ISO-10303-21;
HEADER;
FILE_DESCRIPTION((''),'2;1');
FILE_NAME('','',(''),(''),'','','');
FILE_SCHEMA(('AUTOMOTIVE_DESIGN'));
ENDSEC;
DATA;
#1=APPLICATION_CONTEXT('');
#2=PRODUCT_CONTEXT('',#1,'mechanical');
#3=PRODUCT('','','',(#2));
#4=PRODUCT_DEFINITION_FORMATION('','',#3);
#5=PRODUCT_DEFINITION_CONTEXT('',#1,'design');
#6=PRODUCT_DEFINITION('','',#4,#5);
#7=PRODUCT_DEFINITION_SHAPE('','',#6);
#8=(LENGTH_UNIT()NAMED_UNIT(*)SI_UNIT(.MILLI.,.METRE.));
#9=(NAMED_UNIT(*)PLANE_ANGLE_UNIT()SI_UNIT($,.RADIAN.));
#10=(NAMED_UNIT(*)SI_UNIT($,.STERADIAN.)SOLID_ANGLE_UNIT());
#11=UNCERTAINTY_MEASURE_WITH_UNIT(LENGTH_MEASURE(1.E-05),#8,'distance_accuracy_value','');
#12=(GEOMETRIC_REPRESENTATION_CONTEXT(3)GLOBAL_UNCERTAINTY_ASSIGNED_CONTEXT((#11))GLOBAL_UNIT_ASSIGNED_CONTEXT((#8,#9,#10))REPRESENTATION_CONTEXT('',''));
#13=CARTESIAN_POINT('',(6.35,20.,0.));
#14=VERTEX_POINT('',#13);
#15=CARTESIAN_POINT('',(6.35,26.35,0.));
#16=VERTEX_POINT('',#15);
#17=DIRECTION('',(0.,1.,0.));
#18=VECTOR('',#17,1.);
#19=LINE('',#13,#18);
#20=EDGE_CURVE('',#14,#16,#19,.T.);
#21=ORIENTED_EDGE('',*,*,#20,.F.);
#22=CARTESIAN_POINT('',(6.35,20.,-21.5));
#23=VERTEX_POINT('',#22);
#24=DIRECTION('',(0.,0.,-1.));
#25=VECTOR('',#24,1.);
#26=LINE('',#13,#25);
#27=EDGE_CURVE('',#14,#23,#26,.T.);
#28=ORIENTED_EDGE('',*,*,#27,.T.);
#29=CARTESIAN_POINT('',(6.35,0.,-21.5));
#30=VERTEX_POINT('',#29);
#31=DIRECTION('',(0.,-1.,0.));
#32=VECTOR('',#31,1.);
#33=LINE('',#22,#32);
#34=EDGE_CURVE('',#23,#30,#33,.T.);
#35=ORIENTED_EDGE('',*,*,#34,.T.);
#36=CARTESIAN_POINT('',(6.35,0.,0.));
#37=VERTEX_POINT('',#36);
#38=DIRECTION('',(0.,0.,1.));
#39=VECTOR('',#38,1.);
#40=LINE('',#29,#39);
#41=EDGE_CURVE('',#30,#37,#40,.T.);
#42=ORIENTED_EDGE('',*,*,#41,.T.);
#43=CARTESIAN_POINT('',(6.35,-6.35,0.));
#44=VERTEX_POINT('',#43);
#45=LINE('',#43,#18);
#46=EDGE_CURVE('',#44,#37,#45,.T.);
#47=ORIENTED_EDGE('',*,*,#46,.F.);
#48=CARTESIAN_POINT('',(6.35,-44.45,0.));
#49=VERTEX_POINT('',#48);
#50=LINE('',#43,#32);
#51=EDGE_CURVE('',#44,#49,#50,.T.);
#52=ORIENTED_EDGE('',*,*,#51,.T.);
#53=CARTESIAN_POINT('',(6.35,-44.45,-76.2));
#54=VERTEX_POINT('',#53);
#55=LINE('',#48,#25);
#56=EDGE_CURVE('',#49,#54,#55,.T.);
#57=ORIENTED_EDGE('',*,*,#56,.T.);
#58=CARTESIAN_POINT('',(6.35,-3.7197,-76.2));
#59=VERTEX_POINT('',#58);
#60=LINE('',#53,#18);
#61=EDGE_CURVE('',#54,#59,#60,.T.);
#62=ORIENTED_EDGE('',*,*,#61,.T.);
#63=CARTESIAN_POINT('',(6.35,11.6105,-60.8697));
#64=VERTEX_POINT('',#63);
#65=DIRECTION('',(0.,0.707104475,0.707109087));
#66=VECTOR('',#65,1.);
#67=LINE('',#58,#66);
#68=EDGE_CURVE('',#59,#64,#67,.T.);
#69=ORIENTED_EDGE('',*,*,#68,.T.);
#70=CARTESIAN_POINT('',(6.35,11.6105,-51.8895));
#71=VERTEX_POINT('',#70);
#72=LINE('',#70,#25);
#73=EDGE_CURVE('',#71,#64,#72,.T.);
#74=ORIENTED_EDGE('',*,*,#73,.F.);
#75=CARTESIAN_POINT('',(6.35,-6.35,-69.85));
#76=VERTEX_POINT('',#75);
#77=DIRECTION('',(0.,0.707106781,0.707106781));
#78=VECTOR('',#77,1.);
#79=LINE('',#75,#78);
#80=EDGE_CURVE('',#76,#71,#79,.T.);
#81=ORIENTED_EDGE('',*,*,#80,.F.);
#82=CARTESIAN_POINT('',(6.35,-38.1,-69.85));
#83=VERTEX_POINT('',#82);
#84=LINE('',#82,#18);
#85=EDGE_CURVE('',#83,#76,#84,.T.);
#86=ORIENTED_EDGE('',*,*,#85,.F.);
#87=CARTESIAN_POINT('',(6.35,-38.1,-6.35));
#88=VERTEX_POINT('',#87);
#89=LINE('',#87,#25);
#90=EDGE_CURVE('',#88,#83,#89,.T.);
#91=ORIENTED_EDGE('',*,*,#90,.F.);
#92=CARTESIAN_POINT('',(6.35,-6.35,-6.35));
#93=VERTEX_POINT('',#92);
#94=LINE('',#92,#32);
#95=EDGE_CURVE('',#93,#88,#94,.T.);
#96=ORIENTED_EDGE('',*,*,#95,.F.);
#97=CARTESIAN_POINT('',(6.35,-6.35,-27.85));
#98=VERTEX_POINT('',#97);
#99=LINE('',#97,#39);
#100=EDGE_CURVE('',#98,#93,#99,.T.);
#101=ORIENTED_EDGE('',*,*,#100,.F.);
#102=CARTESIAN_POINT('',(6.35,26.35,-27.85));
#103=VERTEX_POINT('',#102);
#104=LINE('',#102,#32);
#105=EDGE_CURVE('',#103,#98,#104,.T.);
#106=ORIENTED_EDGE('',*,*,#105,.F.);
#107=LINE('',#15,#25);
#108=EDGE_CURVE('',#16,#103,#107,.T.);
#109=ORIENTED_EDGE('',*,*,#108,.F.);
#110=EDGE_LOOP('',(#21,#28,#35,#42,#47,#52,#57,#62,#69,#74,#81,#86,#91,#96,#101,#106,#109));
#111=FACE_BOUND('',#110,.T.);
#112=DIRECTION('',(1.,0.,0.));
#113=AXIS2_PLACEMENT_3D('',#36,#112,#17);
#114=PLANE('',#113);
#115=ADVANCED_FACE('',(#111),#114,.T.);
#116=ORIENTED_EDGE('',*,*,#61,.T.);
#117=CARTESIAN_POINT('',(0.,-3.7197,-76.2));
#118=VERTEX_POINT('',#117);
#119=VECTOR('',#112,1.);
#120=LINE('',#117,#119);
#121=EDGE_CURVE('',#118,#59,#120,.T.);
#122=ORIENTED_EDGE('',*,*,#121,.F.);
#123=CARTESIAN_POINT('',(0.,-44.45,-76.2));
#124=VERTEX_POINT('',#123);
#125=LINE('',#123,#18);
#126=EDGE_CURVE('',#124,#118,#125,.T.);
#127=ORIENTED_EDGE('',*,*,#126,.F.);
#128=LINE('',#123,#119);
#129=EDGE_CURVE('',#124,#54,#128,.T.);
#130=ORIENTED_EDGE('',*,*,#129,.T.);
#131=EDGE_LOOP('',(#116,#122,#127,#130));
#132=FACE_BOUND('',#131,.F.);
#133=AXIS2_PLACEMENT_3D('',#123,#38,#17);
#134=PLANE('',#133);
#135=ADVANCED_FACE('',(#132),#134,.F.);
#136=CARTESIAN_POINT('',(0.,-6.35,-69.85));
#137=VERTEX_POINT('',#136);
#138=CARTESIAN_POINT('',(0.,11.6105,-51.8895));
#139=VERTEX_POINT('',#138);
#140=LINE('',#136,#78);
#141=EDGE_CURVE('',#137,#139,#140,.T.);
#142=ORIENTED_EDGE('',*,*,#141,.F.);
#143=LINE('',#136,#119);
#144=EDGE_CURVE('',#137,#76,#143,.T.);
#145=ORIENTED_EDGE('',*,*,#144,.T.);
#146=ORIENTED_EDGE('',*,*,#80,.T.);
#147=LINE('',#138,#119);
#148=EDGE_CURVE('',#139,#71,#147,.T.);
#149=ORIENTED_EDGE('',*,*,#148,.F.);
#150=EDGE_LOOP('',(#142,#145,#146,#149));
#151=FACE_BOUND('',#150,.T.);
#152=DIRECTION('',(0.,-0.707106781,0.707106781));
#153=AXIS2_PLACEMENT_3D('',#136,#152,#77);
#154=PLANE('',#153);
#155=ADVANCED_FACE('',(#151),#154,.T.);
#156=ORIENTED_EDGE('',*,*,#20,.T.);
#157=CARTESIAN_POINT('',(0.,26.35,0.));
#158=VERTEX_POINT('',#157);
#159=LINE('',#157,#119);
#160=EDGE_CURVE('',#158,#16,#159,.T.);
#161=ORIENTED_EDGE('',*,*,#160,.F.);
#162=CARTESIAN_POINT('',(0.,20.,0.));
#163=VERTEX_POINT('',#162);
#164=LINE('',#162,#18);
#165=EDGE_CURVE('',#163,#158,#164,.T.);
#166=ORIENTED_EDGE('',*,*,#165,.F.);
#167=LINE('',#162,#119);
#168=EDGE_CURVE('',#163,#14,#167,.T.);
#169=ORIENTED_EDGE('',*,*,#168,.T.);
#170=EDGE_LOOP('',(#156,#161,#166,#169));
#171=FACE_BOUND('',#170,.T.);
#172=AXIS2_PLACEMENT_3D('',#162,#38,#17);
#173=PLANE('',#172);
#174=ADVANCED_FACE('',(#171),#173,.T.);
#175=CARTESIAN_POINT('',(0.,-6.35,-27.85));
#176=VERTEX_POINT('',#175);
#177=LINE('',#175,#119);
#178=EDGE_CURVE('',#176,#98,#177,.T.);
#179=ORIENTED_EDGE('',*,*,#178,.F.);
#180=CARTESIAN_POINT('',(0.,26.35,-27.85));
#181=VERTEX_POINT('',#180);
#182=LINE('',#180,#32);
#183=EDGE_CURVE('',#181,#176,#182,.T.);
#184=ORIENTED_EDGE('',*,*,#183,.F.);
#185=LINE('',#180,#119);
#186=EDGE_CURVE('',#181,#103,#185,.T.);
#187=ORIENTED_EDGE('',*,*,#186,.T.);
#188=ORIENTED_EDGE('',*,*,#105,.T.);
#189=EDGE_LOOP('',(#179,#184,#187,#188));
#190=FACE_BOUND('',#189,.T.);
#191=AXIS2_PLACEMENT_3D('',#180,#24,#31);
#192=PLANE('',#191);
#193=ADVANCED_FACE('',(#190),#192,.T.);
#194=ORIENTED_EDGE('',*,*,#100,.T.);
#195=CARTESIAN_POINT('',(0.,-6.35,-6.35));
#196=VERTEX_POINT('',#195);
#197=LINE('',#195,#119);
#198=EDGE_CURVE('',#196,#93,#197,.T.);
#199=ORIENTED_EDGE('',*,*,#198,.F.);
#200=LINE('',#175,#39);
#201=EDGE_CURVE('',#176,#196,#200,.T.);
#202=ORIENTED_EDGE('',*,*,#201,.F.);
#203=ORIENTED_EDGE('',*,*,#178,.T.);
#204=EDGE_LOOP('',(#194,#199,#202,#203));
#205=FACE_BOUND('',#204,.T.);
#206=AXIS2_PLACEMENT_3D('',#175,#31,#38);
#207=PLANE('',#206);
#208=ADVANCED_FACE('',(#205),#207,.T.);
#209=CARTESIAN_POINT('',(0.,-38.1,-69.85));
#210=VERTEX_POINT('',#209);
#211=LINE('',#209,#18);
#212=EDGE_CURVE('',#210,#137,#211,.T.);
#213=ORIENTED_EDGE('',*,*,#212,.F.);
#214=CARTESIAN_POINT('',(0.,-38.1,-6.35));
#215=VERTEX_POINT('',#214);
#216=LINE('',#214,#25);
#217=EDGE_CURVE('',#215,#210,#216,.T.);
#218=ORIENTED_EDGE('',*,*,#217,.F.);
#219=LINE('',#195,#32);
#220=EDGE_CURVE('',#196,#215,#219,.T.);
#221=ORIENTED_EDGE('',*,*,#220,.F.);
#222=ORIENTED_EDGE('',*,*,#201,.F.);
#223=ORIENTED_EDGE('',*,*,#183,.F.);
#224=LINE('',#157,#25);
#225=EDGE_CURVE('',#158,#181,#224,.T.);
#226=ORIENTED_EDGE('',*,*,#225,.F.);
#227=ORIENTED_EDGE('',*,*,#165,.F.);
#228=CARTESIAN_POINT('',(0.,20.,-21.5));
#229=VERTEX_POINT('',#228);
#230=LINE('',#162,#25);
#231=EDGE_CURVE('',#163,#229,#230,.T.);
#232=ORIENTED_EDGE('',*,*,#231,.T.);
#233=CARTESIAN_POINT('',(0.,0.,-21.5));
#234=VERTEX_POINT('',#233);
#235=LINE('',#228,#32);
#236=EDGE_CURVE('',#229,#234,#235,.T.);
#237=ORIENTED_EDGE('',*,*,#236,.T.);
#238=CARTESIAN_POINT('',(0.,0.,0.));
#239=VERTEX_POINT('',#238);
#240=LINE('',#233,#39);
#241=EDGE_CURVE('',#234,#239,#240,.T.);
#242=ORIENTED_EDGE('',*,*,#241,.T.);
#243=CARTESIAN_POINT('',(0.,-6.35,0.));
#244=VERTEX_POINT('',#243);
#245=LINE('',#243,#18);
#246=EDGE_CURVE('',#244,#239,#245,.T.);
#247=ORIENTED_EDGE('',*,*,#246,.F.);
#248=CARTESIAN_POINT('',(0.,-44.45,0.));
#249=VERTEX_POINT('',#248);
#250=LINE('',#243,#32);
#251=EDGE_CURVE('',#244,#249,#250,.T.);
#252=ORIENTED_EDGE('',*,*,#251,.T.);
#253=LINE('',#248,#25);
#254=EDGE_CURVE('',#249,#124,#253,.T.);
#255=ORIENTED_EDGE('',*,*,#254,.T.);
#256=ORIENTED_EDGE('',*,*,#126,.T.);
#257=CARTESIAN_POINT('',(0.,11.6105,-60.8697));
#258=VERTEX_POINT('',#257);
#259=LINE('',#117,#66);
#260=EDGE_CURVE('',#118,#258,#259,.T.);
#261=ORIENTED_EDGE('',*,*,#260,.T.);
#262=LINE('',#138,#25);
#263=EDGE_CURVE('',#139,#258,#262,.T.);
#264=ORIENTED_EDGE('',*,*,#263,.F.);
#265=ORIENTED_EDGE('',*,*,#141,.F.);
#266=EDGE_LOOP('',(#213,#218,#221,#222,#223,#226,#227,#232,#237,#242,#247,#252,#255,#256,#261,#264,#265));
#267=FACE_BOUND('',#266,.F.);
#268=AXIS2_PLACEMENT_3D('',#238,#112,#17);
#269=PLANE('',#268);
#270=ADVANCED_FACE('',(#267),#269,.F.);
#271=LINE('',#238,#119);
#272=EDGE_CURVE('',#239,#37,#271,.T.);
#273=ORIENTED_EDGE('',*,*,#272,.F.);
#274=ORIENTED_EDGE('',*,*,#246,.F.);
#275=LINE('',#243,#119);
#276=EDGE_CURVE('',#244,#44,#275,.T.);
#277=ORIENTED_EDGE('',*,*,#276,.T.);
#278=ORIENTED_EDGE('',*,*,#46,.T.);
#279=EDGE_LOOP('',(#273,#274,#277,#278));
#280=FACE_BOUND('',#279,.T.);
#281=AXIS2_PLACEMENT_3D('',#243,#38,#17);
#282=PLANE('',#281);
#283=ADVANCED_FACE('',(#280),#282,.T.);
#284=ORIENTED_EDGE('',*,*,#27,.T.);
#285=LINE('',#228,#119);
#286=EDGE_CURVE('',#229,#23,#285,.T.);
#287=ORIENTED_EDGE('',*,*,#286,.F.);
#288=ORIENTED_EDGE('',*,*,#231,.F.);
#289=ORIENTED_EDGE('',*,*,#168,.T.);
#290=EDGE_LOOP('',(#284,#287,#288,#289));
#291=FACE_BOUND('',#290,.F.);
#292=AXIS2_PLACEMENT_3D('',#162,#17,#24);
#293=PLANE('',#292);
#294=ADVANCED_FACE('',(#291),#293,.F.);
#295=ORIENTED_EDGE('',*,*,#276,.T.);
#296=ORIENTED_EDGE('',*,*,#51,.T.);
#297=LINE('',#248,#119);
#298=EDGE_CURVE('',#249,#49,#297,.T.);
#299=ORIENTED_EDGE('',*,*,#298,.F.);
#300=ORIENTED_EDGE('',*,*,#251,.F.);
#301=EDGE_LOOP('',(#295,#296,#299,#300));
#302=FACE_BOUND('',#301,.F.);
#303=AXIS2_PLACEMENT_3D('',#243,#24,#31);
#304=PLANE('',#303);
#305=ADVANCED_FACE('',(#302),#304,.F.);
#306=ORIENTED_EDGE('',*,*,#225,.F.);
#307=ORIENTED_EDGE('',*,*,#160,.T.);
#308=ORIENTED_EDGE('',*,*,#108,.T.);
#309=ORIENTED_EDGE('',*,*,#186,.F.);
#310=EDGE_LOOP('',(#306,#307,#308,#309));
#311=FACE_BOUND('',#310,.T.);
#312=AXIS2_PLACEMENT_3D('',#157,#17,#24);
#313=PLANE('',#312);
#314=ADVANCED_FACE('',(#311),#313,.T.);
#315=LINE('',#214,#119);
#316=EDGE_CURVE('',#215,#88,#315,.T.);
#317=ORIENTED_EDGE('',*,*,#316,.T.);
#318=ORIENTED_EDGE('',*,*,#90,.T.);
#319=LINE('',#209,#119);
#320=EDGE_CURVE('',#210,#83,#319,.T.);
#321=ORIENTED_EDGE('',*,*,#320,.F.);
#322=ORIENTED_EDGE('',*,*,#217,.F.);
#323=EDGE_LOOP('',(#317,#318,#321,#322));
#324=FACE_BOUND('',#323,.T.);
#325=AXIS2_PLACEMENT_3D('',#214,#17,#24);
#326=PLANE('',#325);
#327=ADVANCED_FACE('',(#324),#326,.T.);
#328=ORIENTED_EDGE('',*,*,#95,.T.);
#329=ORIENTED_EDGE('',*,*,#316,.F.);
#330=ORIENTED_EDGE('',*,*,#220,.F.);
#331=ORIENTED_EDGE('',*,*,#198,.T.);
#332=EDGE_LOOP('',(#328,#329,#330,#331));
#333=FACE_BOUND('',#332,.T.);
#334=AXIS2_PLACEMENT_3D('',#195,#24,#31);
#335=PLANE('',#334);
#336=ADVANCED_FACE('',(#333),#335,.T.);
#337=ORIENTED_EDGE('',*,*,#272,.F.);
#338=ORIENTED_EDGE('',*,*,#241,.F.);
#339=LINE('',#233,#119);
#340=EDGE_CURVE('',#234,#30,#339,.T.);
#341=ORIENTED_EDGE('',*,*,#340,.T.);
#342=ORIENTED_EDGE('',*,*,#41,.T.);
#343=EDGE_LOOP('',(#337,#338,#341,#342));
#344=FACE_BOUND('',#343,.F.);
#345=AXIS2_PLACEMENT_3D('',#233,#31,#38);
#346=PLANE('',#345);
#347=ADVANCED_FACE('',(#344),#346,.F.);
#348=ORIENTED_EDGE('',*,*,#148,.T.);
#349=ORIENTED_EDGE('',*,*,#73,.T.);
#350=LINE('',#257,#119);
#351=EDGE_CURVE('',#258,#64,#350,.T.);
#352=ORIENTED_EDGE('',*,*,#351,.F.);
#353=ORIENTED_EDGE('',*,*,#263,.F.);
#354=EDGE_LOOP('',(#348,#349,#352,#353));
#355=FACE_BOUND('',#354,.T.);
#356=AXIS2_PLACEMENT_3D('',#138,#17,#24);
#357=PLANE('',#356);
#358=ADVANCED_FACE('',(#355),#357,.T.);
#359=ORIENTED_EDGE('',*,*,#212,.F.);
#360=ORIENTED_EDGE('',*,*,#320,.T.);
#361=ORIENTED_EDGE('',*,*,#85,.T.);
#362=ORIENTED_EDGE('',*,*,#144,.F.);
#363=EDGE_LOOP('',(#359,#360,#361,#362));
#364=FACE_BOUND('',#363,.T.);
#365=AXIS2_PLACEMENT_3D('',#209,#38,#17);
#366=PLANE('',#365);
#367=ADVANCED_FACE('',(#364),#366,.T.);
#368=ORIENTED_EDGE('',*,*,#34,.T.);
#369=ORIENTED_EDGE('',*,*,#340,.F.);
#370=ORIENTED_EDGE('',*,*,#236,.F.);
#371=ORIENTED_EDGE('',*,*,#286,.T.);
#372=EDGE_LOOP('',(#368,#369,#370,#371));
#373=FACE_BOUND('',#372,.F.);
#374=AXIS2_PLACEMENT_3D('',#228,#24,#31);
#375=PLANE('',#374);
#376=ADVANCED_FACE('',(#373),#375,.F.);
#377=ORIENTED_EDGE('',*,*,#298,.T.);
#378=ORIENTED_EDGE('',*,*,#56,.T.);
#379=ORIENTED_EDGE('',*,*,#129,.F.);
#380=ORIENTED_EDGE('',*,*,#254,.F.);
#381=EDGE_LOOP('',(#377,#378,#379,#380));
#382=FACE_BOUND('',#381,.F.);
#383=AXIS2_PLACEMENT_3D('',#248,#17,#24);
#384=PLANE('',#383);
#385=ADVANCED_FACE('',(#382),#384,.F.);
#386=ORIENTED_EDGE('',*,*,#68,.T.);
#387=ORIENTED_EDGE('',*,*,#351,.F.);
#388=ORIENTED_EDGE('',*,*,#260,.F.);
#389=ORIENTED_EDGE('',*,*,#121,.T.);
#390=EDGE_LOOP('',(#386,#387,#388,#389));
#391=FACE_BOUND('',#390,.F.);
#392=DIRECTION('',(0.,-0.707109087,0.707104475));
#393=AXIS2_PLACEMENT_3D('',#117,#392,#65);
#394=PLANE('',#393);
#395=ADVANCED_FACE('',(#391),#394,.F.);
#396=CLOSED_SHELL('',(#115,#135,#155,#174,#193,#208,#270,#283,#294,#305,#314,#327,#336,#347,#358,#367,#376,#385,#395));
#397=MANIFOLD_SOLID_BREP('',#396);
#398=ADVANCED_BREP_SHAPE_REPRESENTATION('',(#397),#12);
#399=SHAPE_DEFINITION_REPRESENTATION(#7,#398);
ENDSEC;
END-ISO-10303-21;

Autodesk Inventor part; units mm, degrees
ref_plane "YZ Plane" through (0, 0, 0) normal (1, 0, 0) x (0, 1, 0)
ref_plane "XZ Plane" through (0, 0, 0) normal (0, 1, 0) x (-1, 0, 0)
ref_plane "XY Plane" through (0, 0, 0) normal (0, 0, 1) x (1, 0, 0)
sketch "Sketch1" plane through (0, 0, 0) normal (1, 0, 0) x (0, 1, 0)
  line L0 (0, 0) -> (20, 0) construction
  line L1 (20, 0) -> (20, -21.5)
  line L2 (20, -21.5) -> (0, -21.5)
  line L3 (0, -21.5) -> (0, 0)
  line L4 (20, 0) -> (26.35, 0)
  line L5 (26.35, 0) -> (26.35, -27.85)
  line L6 (-6.35, -27.85) -> (-6.35, -6.35)
  line L7 (-6.35, 0) -> (0, 0)
  line L8 (26.35, -27.85) -> (-6.35, -27.85)
  line L9 (-6.35, 0) -> (-44.45, 0)
  line L10 (-44.45, 0) -> (-44.45, -76.2)
  line L11 (-6.35, -6.35) -> (-38.1, -6.35)
  line L12 (-38.1, -6.35) -> (-38.1, -69.85)
  line L13 (-6.35, -6.35) -> (-6.35, 0) construction
  line L14 (-44.45, -76.2) -> (-3.7197, -76.2)
  line L15 (-38.1, -69.85) -> (-6.35, -69.85)
  line L16 (-6.35, -69.85) -> (11.6105, -51.8895)
  line L17 (-3.7197, -76.2) -> (11.6105, -60.8697)
  line L18 (11.6105, -51.8895) -> (11.6105, -60.8697)
  line L19 (-6.35, -27.85) -> (-6.35, -69.85) construction
  dimension "d0" = 20
  dimension "d1" = 21.5
  dimension "d2" = 6.35
  dimension "d4" = 6.35
  dimension "d23" = 6.35
  dimension "d24" = 38.1
  dimension "d25" = 76.2
  dimension "d26" = 6.35
  dimension "d27" = 6.35
  dimension "d28" = 6.35
  dimension "d30" = 6.35
  dimension "d31" = 25.4
  dimension "d32" = 135
extrude "Extrusion1" add sketch "Sketch1" along normal blind 6.35
properties part number "Main"
